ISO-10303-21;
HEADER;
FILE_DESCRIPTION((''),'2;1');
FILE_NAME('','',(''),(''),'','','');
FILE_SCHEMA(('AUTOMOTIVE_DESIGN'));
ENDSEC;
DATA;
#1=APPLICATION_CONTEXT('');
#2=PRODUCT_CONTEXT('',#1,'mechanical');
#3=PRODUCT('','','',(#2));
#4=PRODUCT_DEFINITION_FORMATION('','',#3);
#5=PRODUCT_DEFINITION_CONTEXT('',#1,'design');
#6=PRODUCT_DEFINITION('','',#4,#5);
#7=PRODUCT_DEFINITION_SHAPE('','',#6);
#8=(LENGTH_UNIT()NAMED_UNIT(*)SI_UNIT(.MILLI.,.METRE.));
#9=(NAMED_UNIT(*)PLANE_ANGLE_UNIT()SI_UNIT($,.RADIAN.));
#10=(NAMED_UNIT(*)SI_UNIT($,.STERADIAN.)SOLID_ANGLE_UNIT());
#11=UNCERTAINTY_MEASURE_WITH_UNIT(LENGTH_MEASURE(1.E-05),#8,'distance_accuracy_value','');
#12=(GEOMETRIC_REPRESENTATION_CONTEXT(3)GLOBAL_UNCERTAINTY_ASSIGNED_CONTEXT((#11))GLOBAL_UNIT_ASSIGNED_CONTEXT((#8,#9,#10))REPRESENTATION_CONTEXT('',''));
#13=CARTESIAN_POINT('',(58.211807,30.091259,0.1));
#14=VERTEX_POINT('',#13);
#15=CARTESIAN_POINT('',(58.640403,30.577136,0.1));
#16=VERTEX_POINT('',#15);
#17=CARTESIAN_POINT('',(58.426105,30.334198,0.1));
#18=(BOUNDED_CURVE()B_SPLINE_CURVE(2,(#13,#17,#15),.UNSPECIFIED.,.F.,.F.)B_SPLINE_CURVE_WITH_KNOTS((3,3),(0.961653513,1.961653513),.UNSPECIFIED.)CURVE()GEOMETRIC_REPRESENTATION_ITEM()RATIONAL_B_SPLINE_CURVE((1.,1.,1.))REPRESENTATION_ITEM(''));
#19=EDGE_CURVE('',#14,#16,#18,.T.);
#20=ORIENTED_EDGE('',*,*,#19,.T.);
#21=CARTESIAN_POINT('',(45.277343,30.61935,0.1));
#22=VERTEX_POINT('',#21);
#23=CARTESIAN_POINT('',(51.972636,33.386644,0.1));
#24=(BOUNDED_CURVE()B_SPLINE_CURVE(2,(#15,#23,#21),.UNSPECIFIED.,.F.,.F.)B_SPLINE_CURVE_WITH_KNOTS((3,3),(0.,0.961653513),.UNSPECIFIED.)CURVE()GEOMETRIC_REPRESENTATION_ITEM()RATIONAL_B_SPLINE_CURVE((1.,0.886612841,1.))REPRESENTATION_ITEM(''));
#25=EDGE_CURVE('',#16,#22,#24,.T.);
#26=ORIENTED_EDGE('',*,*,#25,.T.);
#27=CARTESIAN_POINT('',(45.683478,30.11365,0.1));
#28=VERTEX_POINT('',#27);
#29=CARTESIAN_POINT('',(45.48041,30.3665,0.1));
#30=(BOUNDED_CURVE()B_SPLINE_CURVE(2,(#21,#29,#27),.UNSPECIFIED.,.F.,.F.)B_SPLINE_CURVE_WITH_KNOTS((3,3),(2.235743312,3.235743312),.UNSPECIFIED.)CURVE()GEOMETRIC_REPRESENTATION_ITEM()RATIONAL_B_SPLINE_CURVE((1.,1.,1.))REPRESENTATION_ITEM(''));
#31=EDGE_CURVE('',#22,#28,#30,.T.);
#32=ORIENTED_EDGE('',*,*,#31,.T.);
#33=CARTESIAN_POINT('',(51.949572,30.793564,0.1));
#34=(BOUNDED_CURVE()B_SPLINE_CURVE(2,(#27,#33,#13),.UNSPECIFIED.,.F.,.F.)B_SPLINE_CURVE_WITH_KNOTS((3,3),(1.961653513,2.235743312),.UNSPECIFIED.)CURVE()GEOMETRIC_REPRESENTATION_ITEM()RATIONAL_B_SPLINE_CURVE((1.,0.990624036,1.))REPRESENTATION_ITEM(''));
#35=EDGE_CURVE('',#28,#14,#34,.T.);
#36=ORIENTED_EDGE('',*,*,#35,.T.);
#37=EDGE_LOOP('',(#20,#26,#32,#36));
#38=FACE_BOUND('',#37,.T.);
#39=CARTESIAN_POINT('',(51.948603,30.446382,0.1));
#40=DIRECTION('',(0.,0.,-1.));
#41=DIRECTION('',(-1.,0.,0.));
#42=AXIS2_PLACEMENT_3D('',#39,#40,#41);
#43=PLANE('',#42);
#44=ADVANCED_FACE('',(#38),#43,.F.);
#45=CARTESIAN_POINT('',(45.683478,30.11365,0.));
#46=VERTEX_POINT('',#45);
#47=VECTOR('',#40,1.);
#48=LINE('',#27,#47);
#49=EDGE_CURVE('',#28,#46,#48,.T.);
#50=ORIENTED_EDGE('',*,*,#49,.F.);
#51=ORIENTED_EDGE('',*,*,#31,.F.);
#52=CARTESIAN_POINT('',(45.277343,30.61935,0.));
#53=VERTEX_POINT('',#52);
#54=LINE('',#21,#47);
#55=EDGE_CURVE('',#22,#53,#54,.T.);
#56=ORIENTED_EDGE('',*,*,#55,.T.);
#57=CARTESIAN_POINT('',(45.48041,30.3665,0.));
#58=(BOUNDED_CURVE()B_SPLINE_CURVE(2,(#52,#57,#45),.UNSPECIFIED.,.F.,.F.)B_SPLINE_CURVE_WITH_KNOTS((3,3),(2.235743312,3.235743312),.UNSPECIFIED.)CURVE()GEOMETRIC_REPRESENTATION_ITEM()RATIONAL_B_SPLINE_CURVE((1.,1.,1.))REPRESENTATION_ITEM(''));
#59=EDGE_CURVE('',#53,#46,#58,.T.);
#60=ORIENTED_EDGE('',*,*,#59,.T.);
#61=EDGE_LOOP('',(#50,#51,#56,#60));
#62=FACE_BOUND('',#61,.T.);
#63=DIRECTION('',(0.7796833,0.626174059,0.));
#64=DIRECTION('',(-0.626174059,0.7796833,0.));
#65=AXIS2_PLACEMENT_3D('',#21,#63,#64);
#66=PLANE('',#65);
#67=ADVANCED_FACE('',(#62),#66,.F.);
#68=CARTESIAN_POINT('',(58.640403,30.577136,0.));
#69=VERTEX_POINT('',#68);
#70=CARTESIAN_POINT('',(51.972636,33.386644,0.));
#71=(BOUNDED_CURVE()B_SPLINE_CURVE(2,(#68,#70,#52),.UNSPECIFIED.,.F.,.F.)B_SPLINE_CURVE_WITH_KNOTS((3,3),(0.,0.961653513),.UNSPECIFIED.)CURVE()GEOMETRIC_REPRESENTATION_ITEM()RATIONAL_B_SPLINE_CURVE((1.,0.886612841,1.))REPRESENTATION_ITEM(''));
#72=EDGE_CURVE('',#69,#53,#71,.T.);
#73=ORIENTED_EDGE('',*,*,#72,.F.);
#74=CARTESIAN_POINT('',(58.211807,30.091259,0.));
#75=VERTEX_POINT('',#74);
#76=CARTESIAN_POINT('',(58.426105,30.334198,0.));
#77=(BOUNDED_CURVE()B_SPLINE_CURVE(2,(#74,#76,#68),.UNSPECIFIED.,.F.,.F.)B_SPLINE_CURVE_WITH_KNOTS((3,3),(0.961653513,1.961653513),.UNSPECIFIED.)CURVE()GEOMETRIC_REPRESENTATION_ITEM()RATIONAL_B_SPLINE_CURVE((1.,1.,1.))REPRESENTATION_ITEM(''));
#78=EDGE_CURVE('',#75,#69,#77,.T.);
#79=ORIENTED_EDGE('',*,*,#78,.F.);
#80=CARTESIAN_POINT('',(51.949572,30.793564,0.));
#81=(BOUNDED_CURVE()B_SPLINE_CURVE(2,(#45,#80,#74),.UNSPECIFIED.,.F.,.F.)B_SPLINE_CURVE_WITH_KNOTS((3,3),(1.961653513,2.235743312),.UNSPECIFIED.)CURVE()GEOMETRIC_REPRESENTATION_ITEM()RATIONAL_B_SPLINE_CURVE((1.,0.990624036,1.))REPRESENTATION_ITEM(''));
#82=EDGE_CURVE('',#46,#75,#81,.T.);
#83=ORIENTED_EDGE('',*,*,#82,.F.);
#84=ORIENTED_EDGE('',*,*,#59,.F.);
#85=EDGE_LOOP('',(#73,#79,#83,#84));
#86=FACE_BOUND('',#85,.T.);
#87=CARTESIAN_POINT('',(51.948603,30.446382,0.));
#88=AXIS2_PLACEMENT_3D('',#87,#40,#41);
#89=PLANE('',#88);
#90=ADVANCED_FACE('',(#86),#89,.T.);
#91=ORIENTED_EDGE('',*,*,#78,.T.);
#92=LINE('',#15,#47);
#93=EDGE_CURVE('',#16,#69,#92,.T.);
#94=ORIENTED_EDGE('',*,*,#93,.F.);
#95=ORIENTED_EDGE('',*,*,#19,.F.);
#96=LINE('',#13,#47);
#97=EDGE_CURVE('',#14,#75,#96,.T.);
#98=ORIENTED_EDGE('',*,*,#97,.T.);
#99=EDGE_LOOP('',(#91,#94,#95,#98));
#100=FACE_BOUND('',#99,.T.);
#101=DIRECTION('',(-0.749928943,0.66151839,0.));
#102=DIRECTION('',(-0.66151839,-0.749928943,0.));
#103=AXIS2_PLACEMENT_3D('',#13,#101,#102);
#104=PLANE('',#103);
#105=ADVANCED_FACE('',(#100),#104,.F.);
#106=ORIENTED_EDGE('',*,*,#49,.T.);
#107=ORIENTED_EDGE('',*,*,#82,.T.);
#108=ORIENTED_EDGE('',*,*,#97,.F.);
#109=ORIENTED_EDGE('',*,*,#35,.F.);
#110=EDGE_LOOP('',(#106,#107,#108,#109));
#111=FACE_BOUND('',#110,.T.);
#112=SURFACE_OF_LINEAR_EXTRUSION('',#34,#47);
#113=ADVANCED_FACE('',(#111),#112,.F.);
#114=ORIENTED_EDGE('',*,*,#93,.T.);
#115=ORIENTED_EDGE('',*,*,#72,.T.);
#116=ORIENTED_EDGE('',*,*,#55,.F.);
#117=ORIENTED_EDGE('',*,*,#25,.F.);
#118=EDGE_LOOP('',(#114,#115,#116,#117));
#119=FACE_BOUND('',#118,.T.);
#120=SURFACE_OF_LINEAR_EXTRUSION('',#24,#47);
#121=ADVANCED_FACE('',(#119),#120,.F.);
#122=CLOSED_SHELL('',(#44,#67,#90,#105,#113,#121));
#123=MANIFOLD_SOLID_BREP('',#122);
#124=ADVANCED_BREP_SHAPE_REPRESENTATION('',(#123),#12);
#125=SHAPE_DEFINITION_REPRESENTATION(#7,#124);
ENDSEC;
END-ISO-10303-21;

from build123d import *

# Parameters (mm, degrees)
SALIENTE_EXTRUIR1_DEPTH = 0.1


with BuildPart() as part:
    # Model → Saliente-Extruir1 (new body)
    with BuildSketch(Plane.XY):
        with BuildLine():
            add(Edge.make_bspline(
                [(45.683477537, 30.113649527), (45.480410217, 30.366499665), (45.277342898, 30.619349804)],
                knots=[2.235743312, 2.235743312, 2.235743312, 3.235743312, 3.235743312, 3.235743312], degree=2, weights=[1, 1, 1]))
            add(Edge.make_bspline(
                [(45.277342898, 30.619349804), (51.972636194, 33.386643804), (58.640402773, 30.577135941)],
                knots=[0, 0, 0, 0.961653513, 0.961653513, 0.961653513], degree=2, weights=[1, 0.886612841, 1]))
            add(Edge.make_bspline(
                [(58.640402773, 30.577135941), (58.426104972, 30.334197687), (58.211807171, 30.091259432)],
                knots=[0.961653513, 0.961653513, 0.961653513, 1.961653513, 1.961653513, 1.961653513], degree=2, weights=[1, 1, 1]))
            add(Edge.make_bspline(
                [(58.211807171, 30.091259432), (51.949572231, 30.793564024), (45.683477537, 30.113649527)],
                knots=[1.961653513, 1.961653513, 1.961653513, 2.235743312, 2.235743312, 2.235743312], degree=2, weights=[1, 0.990624036, 1]))
        make_face()
    extrude(amount=SALIENTE_EXTRUIR1_DEPTH)


solid = part.part
